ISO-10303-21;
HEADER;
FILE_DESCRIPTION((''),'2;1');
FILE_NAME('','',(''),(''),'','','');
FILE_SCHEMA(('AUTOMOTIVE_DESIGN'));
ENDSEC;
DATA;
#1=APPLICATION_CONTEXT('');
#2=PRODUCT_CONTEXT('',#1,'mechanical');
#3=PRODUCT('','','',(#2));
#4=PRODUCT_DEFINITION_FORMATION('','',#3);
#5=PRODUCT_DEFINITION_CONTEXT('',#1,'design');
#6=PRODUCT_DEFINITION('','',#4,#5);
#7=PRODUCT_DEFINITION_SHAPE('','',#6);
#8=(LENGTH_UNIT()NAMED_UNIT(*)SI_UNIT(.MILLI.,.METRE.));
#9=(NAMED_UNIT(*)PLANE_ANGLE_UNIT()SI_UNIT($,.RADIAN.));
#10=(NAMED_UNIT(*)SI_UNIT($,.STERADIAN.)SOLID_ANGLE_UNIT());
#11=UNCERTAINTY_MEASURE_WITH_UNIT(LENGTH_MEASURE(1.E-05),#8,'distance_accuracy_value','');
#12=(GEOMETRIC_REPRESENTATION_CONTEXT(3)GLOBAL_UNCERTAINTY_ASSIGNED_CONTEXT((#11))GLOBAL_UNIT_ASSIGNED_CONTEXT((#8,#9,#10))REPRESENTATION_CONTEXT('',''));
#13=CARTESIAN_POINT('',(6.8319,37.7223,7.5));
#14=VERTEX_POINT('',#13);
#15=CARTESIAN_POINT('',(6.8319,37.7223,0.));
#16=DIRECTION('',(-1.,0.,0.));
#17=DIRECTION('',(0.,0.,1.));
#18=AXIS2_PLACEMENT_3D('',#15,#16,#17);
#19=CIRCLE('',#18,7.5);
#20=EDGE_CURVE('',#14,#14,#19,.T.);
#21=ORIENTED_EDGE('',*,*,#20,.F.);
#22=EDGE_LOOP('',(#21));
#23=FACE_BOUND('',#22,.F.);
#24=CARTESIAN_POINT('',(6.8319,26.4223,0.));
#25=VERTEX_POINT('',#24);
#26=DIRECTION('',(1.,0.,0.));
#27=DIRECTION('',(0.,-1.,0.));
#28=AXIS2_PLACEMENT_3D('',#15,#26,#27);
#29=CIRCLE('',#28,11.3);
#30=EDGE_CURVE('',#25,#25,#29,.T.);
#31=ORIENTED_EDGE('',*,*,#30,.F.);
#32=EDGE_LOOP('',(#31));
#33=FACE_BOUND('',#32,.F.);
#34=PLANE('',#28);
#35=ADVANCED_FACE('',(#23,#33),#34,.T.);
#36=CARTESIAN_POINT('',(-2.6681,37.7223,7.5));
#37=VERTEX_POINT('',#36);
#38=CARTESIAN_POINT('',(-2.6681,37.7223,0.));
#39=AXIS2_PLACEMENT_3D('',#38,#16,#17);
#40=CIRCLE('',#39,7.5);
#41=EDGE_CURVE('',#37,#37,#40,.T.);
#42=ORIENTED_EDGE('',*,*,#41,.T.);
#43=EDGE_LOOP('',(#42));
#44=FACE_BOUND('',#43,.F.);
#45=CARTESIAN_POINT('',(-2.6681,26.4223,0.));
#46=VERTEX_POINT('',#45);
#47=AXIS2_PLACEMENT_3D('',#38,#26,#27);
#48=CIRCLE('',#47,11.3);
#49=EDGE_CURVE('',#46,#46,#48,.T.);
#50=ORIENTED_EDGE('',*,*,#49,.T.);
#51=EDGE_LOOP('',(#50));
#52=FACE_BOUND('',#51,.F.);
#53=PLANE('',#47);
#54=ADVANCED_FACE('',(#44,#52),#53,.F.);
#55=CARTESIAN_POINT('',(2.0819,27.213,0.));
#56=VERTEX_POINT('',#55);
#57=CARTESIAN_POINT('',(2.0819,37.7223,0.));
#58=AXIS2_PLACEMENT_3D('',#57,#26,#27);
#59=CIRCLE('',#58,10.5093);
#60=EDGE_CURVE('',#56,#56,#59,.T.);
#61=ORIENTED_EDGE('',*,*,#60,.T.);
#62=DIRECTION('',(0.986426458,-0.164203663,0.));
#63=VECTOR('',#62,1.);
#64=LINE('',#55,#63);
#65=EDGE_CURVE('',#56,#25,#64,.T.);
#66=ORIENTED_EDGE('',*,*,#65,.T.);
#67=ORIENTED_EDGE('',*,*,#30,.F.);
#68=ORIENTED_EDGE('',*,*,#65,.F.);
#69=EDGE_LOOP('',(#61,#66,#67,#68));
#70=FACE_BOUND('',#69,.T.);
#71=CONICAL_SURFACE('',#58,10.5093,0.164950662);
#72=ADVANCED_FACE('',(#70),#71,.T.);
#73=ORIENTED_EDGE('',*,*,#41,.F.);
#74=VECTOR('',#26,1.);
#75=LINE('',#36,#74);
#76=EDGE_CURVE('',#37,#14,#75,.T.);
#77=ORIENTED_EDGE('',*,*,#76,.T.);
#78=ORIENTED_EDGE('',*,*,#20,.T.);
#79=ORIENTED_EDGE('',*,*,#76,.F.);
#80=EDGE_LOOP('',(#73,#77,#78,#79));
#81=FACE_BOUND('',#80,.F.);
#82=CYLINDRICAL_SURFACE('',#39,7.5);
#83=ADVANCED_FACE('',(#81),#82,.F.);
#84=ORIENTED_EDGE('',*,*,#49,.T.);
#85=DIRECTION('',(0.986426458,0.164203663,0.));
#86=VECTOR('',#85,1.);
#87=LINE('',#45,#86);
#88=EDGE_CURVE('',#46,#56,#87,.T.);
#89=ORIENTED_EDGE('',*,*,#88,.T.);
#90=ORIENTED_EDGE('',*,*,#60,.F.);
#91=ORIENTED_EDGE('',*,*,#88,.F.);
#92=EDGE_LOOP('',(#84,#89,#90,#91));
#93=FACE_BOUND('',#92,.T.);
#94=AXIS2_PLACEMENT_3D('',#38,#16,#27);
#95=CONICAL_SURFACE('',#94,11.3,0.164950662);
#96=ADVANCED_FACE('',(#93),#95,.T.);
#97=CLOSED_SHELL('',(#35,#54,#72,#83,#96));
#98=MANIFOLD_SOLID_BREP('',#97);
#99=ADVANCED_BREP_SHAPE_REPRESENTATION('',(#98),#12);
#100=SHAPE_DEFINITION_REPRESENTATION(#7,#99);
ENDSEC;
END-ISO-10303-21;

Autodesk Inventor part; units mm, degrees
ref_plane "YZ Plane" through (0, 0, 0) normal (1, 0, 0) x (0, 1, 0)
ref_plane "XZ Plane" through (0, 0, 0) normal (0, 1, 0) x (-1, 0, 0)
sketch "Boceto1" plane through (0, 0, 0) normal (0, 0, 1) x (1, 0, 0)
  line L0 (-2.6681, 26.4223) -> (2.0819, 27.213)
  line L1 (2.0819, 27.213) -> (6.8319, 26.4223)
  line L2 (-2.6681, 26.4223) -> (-2.6681, 37.7223)
  line L3 (-2.6681, 37.7223) -> (6.8319, 37.7223)
  line L4 (6.8319, 37.7223) -> (6.8319, 26.4223)
  line L5 (-10.0441, 37.7223) -> (15.5042, 37.7223) construction
  dimension "d29" = 161.1
  dimension "d62" = 9.5
  dimension "d63" = 4.8153
  dimension "d65" = 4.8153
  dimension "d66" = 11.3
revolve "Revolución1" add sketch "Boceto1" angle 360 about axis through (-10.0441, 37.7223, 0) along (1, 0, 0)
sketch "Boceto2" plane through (-2.6681, 37.7223, 0) normal (-1, 0, 0) x (0, 0, 1)
  circle A0 centre (0, 0) radius 7.5
  circle A1 centre (0, 0) radius 11.3 projected
  point P0 (0, -37.7223)
  dimension "d68" = 3.8
extrude "Extrusión1" cut sketch "Boceto2" against normal through all contours A0
ref_plane "Plano de trabajo1" through (0, 0, 11.3) normal (0, 0, 1) x (1, 0, 0)
properties part number "RUEDA" material "Caucho"
